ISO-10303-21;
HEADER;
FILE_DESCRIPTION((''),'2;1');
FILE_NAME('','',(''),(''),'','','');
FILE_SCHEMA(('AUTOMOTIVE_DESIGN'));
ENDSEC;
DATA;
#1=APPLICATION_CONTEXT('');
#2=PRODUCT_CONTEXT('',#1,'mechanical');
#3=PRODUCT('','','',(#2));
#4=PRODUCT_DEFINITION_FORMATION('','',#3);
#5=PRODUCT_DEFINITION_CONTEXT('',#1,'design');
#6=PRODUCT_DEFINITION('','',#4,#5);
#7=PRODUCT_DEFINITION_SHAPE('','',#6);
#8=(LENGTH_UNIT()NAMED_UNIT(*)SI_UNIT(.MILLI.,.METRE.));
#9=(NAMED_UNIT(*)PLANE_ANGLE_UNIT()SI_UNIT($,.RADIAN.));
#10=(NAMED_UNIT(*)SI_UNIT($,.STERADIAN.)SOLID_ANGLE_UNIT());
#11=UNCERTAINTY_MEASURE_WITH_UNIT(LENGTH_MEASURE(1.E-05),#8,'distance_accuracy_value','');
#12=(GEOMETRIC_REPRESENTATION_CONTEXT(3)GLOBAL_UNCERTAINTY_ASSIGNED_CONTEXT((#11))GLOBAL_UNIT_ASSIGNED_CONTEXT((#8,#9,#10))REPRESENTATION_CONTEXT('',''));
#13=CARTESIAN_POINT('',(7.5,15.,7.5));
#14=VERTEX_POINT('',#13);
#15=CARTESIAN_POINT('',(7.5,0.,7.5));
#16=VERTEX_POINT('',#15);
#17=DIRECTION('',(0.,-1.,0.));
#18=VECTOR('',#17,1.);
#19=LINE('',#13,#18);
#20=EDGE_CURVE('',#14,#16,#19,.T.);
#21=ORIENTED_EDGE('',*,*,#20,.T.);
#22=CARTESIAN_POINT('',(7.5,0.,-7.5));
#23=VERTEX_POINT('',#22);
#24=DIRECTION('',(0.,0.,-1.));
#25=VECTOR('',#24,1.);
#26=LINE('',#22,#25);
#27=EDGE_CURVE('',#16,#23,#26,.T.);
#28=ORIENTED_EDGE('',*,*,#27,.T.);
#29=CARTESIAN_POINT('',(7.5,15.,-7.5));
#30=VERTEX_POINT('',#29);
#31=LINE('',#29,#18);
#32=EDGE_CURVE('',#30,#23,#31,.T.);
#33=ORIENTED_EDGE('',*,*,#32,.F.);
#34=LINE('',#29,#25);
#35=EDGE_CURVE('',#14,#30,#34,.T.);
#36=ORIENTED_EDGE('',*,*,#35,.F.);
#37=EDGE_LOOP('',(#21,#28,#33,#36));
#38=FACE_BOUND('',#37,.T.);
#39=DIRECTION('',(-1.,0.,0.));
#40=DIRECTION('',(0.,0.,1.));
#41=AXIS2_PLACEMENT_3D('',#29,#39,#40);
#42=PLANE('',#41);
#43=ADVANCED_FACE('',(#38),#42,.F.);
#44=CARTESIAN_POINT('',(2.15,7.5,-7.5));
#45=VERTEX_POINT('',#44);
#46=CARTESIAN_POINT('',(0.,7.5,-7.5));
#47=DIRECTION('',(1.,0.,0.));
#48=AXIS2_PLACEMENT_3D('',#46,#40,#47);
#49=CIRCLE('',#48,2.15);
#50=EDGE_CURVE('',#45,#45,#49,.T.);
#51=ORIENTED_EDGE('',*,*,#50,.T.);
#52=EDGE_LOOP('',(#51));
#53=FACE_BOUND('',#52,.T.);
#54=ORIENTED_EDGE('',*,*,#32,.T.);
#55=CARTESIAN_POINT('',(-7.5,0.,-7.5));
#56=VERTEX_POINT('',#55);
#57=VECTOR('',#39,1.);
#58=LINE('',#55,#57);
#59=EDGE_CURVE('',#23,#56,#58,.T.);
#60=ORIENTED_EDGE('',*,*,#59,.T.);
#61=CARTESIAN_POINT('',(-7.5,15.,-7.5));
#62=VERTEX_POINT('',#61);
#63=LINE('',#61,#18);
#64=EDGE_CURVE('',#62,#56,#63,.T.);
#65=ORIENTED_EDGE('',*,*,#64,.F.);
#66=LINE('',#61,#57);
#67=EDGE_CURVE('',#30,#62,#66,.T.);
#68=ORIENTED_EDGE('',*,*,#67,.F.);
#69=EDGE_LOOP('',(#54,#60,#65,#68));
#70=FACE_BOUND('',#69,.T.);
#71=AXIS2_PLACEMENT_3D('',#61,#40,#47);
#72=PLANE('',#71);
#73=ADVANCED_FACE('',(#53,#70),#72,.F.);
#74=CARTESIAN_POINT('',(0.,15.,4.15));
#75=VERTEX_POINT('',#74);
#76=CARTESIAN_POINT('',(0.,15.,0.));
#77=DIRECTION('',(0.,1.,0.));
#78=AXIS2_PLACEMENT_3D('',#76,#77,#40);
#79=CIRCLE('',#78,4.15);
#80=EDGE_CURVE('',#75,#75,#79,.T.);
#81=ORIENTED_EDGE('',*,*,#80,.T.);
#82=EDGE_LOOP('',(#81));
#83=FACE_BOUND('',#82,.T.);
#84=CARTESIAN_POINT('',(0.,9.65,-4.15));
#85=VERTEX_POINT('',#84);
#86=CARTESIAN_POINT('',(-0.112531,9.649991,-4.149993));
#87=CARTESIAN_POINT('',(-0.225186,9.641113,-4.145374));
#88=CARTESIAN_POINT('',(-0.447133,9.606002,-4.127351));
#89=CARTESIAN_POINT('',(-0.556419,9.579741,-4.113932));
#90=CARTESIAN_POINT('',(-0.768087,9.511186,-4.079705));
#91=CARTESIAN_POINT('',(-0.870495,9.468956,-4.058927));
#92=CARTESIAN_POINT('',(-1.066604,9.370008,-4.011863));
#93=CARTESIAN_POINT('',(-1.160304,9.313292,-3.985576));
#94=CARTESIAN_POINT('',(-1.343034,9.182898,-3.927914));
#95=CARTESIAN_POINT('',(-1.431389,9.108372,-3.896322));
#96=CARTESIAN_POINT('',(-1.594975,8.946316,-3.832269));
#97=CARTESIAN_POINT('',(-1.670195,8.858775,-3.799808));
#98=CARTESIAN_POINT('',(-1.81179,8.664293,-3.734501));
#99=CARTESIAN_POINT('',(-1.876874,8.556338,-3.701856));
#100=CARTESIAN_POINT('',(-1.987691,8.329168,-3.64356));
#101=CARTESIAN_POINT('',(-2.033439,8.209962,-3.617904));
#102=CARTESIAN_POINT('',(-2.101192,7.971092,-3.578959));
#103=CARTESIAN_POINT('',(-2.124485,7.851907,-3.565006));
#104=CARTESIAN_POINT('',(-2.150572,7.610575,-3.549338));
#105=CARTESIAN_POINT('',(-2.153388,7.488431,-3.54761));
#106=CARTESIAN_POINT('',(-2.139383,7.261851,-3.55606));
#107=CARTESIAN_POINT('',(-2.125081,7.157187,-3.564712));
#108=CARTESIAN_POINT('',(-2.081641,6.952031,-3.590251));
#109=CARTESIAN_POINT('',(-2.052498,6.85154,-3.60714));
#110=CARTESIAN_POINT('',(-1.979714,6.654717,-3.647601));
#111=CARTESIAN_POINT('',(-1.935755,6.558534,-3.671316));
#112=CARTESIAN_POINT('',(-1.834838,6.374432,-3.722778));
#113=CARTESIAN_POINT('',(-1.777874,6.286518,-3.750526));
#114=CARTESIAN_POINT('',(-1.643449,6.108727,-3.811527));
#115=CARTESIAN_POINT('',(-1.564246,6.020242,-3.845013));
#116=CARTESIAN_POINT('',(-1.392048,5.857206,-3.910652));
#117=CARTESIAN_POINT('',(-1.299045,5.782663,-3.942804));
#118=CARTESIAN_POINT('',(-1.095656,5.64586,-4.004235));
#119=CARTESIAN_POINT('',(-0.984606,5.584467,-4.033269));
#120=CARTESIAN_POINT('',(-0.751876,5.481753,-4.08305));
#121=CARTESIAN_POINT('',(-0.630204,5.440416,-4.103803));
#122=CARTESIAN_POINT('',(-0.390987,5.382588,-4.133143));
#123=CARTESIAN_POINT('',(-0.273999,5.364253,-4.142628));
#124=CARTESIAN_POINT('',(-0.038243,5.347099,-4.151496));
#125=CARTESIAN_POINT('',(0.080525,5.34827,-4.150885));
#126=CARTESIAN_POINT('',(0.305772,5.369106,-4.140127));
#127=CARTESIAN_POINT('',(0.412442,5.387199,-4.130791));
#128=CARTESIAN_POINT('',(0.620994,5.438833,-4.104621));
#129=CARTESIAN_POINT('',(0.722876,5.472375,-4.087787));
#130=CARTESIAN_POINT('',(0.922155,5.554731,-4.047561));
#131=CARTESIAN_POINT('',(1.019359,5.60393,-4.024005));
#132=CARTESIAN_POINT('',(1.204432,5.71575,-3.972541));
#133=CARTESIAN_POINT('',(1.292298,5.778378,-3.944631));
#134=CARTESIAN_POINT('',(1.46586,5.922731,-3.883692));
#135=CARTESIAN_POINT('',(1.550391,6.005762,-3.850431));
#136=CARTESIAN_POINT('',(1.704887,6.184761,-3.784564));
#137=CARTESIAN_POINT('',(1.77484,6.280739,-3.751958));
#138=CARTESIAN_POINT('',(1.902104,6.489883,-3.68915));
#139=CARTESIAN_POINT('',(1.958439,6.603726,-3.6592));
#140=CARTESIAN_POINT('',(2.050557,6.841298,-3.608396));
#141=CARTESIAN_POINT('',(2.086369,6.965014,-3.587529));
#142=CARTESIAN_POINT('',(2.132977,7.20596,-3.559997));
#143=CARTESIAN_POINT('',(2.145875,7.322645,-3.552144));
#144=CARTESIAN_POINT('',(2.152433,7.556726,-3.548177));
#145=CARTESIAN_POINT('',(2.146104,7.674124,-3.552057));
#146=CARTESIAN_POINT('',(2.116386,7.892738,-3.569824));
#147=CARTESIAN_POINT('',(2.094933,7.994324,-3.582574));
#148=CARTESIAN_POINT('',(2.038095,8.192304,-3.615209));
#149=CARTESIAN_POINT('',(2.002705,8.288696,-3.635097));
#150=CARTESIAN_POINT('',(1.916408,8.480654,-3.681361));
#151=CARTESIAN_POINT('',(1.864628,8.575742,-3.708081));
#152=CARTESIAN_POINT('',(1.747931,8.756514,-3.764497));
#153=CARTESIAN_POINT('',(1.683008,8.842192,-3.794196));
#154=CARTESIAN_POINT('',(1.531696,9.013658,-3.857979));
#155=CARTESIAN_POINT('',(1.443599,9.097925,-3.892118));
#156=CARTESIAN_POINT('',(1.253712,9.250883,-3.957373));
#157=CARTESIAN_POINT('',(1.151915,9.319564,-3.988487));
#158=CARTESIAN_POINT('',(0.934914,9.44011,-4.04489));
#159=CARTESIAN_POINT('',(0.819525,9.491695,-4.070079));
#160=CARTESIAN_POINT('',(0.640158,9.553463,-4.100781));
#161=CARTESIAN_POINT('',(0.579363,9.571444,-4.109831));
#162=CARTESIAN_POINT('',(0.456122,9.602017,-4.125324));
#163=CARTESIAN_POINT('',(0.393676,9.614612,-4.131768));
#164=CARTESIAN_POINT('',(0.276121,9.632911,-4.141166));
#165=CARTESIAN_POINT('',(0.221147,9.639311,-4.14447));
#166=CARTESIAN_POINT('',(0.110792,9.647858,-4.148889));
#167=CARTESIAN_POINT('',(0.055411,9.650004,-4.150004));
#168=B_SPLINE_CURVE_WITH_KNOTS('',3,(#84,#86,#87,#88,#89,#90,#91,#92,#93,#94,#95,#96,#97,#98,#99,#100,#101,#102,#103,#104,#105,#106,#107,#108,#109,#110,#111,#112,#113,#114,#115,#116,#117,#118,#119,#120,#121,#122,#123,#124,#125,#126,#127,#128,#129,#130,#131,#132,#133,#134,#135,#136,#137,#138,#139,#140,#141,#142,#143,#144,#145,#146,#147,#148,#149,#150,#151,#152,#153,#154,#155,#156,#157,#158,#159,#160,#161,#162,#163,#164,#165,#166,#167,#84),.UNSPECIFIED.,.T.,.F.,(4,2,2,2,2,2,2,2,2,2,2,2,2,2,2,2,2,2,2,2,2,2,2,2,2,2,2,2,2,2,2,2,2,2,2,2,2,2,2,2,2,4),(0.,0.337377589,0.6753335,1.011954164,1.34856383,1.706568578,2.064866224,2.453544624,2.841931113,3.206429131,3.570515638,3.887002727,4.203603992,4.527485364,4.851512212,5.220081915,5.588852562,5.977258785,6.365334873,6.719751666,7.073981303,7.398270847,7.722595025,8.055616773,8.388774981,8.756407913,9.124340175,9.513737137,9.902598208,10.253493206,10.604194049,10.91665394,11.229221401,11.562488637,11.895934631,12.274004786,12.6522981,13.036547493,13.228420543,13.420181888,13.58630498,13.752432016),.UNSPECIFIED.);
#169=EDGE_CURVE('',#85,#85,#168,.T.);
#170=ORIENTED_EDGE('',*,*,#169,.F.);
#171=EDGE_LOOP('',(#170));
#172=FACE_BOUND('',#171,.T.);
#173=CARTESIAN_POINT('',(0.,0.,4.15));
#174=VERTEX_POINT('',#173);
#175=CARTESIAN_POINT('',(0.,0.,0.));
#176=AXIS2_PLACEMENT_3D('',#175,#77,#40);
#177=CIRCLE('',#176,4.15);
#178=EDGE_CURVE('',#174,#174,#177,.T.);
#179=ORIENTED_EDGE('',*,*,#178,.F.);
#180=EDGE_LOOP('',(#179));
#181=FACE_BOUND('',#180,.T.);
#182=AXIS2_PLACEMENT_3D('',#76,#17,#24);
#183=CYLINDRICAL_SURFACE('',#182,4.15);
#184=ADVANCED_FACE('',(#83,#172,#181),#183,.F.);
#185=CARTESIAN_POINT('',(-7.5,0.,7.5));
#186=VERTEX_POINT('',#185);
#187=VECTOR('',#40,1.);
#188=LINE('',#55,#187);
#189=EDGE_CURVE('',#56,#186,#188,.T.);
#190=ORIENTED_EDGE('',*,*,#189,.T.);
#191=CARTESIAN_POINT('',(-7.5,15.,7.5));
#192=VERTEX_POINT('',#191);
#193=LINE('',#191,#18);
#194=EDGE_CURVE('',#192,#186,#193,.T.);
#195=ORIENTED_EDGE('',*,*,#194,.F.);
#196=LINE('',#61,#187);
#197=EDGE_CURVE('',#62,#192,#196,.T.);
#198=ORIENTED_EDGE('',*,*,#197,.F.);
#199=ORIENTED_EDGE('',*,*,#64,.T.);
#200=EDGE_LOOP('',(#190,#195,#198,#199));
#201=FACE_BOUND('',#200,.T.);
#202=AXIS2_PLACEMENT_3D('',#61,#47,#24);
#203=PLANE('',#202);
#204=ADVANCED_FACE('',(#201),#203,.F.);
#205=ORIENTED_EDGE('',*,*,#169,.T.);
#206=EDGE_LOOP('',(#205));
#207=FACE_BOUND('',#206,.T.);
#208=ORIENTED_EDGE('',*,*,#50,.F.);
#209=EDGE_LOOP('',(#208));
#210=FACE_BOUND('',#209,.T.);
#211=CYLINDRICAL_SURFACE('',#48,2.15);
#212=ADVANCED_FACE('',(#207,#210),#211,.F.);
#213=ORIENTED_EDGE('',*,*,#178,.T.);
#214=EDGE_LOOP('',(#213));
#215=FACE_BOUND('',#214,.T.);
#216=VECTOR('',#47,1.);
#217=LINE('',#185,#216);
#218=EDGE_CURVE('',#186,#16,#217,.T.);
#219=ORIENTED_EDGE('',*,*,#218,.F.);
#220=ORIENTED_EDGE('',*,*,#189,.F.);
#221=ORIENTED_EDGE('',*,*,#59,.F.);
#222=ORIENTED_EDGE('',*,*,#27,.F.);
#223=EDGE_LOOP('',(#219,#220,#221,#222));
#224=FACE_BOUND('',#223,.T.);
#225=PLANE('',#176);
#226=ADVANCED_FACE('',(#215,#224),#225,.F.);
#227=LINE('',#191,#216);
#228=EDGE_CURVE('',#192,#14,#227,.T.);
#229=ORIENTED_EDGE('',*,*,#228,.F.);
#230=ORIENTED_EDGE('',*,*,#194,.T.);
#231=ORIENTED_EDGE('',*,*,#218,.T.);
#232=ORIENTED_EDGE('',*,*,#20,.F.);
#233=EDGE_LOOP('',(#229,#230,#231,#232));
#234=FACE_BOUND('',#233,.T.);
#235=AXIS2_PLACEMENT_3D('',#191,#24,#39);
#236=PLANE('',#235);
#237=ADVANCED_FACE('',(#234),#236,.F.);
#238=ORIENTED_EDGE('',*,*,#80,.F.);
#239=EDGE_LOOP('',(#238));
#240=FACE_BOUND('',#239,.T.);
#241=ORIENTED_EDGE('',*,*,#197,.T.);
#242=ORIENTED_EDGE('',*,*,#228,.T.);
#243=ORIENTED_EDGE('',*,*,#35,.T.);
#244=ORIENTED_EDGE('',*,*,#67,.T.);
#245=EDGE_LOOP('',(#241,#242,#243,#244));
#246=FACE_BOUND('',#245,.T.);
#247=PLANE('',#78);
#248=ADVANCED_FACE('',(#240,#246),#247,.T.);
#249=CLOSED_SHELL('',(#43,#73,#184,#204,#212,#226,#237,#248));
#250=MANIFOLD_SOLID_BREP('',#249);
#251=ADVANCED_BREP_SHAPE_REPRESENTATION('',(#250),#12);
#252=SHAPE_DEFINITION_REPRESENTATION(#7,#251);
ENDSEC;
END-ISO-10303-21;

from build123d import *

# Parameters (mm, degrees)
ESQUISSE1_W             = 15
ESQUISSE1_H             = 15
ESQUISSE1_R             = 4.15
BOSS_EXTRU_1_DEPTH      = 15
ESQUISSE2_R             = 2.15
ENL_V_MAT_EXTRU_1_DEPTH = 8.5


with BuildPart() as part:
    # Esquisse1 → Boss.-Extru.1 (new body)
    with BuildSketch(Plane(origin=(0, 0, 0), x_dir=(1, 0, 0), z_dir=(0, 1, 0))):
        Rectangle(ESQUISSE1_W, ESQUISSE1_H)
        Circle(ESQUISSE1_R, mode=Mode.SUBTRACT)
    extrude(amount=BOSS_EXTRU_1_DEPTH)

    # Esquisse2 → Enlèv. mat.-Extru.1 (cut, through all)
    with BuildSketch(Plane.XY):
        with Locations((0, 7.5)):
            Circle(ESQUISSE2_R)
    extrude(amount=-ENL_V_MAT_EXTRU_1_DEPTH, mode=Mode.SUBTRACT)


solid = part.part
